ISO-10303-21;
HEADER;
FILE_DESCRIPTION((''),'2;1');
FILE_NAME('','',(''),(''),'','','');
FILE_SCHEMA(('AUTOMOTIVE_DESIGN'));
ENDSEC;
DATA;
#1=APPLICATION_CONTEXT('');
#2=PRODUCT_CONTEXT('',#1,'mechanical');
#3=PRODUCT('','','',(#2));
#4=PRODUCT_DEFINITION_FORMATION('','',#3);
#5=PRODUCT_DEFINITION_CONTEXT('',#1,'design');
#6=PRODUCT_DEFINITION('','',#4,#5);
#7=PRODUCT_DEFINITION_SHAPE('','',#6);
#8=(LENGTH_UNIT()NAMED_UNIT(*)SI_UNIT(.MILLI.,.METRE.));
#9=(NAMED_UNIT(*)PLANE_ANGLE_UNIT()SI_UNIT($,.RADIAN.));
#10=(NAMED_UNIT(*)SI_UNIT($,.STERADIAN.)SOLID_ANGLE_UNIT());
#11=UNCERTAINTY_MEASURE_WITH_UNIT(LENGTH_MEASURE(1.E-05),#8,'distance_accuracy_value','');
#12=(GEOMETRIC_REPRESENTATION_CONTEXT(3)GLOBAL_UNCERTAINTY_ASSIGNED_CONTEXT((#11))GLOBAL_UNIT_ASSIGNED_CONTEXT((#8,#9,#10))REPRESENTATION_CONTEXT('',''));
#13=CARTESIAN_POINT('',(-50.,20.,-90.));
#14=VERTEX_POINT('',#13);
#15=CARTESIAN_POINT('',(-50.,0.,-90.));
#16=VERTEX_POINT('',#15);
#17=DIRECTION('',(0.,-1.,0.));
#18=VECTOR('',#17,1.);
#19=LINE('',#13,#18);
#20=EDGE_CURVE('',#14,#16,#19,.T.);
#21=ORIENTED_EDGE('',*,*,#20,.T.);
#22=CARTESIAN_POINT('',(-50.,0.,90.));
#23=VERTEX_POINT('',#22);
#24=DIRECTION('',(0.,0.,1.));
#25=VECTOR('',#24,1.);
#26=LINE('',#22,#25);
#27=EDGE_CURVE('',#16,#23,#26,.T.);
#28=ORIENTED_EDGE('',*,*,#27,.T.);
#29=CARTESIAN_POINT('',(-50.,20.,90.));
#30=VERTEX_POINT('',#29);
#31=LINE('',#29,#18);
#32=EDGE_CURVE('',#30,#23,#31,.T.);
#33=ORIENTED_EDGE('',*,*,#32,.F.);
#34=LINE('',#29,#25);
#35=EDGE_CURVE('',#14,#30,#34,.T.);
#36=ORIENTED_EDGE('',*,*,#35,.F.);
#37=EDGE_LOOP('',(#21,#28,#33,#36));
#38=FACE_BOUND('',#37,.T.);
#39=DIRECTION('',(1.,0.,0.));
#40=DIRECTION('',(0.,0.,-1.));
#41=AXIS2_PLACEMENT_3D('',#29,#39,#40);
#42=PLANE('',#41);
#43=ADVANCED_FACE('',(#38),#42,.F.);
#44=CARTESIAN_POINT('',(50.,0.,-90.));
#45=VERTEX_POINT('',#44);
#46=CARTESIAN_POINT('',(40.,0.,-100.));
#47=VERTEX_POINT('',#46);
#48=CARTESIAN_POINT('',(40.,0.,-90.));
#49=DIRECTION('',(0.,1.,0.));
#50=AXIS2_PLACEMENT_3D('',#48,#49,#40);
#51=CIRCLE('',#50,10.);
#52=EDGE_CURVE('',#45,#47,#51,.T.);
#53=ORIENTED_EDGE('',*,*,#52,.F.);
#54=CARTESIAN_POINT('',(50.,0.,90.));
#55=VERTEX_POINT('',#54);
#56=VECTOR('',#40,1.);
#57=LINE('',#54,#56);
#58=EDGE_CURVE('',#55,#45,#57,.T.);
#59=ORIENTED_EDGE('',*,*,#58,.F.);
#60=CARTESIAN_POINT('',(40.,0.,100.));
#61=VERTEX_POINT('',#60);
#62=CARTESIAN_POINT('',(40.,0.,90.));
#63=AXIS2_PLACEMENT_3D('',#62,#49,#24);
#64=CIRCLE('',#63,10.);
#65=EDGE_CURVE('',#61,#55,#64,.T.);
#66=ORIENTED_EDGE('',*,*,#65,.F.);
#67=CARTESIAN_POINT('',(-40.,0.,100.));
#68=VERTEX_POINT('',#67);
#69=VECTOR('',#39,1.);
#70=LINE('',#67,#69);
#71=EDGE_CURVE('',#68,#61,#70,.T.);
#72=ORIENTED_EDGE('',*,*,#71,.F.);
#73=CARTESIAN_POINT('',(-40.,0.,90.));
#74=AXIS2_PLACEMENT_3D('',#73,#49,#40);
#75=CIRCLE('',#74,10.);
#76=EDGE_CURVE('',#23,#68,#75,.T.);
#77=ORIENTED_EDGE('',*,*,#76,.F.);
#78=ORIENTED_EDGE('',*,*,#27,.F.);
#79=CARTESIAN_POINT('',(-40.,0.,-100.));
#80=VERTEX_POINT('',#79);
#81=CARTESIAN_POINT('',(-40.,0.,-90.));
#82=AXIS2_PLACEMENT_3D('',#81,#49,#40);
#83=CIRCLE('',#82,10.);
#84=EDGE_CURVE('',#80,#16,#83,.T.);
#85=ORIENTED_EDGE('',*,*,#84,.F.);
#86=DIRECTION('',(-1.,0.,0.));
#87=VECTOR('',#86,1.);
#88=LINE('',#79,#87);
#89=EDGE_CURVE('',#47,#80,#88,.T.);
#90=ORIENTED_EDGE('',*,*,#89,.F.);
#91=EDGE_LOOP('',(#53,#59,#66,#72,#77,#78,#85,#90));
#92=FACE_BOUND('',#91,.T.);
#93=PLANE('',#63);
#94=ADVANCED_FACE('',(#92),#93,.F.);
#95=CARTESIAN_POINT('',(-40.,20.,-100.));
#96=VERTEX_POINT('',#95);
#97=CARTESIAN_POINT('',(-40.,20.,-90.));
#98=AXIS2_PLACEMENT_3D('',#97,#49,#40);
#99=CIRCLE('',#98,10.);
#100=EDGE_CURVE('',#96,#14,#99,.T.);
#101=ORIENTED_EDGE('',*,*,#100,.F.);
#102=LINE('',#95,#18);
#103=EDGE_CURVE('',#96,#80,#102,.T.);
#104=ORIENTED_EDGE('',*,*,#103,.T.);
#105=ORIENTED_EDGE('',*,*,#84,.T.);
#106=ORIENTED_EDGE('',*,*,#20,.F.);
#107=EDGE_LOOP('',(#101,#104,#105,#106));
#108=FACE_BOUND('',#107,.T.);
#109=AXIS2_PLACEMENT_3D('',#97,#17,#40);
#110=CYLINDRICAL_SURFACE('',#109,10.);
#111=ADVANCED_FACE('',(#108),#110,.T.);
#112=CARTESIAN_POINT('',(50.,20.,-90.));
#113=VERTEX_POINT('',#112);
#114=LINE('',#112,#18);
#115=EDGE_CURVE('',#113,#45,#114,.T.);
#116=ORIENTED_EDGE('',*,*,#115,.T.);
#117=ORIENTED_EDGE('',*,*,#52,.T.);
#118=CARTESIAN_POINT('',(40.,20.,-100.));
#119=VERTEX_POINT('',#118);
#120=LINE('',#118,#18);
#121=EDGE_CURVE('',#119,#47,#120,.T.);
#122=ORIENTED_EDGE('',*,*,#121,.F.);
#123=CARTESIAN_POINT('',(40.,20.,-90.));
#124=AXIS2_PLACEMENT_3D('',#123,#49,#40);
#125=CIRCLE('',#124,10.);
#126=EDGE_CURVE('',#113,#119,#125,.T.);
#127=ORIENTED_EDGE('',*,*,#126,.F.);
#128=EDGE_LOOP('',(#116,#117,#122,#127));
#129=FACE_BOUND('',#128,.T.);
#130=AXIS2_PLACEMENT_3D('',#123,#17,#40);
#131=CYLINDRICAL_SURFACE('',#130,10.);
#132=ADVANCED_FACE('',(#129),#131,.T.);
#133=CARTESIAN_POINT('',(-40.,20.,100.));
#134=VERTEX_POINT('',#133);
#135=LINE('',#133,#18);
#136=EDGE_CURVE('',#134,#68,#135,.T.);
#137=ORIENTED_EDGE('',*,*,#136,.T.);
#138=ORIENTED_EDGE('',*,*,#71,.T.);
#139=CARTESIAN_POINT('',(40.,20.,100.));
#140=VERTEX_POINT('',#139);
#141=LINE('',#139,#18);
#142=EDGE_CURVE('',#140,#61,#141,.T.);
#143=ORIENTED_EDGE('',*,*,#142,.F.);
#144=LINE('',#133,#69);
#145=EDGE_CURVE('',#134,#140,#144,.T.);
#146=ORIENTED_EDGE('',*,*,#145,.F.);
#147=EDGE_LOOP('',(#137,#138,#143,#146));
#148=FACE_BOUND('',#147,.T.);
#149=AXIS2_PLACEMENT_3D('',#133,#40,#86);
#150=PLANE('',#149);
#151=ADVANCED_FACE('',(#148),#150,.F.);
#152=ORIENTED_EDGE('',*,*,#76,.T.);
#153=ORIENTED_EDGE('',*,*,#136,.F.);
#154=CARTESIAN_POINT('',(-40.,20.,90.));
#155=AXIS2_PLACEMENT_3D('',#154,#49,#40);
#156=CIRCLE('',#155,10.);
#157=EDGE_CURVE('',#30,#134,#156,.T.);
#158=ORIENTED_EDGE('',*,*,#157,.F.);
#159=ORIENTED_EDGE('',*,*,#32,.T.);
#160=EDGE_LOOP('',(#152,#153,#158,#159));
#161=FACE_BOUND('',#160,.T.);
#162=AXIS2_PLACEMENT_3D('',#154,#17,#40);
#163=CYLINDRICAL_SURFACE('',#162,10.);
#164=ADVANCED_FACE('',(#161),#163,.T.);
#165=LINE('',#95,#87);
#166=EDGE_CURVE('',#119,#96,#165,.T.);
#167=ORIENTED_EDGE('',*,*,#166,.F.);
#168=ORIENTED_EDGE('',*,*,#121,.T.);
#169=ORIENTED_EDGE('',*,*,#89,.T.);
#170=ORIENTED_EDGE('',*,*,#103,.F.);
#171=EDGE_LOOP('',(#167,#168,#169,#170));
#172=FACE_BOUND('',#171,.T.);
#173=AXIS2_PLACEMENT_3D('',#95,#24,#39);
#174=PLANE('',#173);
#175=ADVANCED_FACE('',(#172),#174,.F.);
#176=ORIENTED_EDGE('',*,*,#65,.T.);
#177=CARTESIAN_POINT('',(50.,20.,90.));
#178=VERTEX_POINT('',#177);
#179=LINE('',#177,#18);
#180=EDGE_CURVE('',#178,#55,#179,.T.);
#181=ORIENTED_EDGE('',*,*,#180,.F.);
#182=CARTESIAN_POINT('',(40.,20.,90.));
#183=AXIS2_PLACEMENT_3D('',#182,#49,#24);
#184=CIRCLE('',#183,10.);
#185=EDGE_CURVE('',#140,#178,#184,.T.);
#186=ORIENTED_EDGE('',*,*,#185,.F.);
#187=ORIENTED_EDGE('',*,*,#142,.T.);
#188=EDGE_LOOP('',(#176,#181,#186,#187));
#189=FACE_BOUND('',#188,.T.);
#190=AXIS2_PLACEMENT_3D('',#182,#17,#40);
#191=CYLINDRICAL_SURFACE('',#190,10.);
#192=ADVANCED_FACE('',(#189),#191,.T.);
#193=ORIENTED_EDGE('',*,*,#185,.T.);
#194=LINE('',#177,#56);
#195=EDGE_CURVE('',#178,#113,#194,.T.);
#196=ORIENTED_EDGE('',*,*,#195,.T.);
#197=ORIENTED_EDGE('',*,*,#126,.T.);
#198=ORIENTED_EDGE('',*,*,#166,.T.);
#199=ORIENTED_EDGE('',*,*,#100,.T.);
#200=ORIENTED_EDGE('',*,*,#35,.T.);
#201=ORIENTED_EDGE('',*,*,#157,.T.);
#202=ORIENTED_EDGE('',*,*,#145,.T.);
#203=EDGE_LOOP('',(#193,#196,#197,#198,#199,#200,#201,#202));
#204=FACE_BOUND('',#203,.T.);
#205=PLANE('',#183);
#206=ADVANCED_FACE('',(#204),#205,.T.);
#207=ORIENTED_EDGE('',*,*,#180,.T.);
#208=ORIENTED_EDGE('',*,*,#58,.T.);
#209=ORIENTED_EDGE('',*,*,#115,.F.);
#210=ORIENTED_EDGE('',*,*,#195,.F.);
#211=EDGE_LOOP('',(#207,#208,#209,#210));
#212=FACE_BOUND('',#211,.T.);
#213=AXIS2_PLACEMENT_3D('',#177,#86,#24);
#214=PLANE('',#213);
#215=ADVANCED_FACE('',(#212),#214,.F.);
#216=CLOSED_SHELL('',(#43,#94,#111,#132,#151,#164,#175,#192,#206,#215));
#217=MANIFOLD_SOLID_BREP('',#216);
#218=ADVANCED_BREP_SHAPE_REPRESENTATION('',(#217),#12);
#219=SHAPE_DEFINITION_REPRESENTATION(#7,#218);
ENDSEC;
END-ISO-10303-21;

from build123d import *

# Parameters (mm, degrees)
BOSS_EXTRUDE1_DEPTH = 20


with BuildPart() as part:
    # Sketch1 → Boss-Extrude1 (new body)
    with BuildSketch(Plane(origin=(0, 0, 0), x_dir=(1, 0, 0), z_dir=(0, 1, 0))):
        with BuildLine():
            Line((-40, -100), (40, -100))
            ThreePointArc((40, -100), (47.071067812, -97.071067812), (50, -90))
            Line((50, -90), (50, 90))
            ThreePointArc((50, 90), (47.071067812, 97.071067812), (40, 100))
            Line((40, 100), (-40, 100))
            ThreePointArc((-40, 100), (-47.071067812, 97.071067812), (-50, 90))
            Line((-50, 90), (-50, -90))
            ThreePointArc((-50, -90), (-47.071067812, -97.071067812), (-40, -100))
        make_face()
    extrude(amount=BOSS_EXTRUDE1_DEPTH)


solid = part.part
